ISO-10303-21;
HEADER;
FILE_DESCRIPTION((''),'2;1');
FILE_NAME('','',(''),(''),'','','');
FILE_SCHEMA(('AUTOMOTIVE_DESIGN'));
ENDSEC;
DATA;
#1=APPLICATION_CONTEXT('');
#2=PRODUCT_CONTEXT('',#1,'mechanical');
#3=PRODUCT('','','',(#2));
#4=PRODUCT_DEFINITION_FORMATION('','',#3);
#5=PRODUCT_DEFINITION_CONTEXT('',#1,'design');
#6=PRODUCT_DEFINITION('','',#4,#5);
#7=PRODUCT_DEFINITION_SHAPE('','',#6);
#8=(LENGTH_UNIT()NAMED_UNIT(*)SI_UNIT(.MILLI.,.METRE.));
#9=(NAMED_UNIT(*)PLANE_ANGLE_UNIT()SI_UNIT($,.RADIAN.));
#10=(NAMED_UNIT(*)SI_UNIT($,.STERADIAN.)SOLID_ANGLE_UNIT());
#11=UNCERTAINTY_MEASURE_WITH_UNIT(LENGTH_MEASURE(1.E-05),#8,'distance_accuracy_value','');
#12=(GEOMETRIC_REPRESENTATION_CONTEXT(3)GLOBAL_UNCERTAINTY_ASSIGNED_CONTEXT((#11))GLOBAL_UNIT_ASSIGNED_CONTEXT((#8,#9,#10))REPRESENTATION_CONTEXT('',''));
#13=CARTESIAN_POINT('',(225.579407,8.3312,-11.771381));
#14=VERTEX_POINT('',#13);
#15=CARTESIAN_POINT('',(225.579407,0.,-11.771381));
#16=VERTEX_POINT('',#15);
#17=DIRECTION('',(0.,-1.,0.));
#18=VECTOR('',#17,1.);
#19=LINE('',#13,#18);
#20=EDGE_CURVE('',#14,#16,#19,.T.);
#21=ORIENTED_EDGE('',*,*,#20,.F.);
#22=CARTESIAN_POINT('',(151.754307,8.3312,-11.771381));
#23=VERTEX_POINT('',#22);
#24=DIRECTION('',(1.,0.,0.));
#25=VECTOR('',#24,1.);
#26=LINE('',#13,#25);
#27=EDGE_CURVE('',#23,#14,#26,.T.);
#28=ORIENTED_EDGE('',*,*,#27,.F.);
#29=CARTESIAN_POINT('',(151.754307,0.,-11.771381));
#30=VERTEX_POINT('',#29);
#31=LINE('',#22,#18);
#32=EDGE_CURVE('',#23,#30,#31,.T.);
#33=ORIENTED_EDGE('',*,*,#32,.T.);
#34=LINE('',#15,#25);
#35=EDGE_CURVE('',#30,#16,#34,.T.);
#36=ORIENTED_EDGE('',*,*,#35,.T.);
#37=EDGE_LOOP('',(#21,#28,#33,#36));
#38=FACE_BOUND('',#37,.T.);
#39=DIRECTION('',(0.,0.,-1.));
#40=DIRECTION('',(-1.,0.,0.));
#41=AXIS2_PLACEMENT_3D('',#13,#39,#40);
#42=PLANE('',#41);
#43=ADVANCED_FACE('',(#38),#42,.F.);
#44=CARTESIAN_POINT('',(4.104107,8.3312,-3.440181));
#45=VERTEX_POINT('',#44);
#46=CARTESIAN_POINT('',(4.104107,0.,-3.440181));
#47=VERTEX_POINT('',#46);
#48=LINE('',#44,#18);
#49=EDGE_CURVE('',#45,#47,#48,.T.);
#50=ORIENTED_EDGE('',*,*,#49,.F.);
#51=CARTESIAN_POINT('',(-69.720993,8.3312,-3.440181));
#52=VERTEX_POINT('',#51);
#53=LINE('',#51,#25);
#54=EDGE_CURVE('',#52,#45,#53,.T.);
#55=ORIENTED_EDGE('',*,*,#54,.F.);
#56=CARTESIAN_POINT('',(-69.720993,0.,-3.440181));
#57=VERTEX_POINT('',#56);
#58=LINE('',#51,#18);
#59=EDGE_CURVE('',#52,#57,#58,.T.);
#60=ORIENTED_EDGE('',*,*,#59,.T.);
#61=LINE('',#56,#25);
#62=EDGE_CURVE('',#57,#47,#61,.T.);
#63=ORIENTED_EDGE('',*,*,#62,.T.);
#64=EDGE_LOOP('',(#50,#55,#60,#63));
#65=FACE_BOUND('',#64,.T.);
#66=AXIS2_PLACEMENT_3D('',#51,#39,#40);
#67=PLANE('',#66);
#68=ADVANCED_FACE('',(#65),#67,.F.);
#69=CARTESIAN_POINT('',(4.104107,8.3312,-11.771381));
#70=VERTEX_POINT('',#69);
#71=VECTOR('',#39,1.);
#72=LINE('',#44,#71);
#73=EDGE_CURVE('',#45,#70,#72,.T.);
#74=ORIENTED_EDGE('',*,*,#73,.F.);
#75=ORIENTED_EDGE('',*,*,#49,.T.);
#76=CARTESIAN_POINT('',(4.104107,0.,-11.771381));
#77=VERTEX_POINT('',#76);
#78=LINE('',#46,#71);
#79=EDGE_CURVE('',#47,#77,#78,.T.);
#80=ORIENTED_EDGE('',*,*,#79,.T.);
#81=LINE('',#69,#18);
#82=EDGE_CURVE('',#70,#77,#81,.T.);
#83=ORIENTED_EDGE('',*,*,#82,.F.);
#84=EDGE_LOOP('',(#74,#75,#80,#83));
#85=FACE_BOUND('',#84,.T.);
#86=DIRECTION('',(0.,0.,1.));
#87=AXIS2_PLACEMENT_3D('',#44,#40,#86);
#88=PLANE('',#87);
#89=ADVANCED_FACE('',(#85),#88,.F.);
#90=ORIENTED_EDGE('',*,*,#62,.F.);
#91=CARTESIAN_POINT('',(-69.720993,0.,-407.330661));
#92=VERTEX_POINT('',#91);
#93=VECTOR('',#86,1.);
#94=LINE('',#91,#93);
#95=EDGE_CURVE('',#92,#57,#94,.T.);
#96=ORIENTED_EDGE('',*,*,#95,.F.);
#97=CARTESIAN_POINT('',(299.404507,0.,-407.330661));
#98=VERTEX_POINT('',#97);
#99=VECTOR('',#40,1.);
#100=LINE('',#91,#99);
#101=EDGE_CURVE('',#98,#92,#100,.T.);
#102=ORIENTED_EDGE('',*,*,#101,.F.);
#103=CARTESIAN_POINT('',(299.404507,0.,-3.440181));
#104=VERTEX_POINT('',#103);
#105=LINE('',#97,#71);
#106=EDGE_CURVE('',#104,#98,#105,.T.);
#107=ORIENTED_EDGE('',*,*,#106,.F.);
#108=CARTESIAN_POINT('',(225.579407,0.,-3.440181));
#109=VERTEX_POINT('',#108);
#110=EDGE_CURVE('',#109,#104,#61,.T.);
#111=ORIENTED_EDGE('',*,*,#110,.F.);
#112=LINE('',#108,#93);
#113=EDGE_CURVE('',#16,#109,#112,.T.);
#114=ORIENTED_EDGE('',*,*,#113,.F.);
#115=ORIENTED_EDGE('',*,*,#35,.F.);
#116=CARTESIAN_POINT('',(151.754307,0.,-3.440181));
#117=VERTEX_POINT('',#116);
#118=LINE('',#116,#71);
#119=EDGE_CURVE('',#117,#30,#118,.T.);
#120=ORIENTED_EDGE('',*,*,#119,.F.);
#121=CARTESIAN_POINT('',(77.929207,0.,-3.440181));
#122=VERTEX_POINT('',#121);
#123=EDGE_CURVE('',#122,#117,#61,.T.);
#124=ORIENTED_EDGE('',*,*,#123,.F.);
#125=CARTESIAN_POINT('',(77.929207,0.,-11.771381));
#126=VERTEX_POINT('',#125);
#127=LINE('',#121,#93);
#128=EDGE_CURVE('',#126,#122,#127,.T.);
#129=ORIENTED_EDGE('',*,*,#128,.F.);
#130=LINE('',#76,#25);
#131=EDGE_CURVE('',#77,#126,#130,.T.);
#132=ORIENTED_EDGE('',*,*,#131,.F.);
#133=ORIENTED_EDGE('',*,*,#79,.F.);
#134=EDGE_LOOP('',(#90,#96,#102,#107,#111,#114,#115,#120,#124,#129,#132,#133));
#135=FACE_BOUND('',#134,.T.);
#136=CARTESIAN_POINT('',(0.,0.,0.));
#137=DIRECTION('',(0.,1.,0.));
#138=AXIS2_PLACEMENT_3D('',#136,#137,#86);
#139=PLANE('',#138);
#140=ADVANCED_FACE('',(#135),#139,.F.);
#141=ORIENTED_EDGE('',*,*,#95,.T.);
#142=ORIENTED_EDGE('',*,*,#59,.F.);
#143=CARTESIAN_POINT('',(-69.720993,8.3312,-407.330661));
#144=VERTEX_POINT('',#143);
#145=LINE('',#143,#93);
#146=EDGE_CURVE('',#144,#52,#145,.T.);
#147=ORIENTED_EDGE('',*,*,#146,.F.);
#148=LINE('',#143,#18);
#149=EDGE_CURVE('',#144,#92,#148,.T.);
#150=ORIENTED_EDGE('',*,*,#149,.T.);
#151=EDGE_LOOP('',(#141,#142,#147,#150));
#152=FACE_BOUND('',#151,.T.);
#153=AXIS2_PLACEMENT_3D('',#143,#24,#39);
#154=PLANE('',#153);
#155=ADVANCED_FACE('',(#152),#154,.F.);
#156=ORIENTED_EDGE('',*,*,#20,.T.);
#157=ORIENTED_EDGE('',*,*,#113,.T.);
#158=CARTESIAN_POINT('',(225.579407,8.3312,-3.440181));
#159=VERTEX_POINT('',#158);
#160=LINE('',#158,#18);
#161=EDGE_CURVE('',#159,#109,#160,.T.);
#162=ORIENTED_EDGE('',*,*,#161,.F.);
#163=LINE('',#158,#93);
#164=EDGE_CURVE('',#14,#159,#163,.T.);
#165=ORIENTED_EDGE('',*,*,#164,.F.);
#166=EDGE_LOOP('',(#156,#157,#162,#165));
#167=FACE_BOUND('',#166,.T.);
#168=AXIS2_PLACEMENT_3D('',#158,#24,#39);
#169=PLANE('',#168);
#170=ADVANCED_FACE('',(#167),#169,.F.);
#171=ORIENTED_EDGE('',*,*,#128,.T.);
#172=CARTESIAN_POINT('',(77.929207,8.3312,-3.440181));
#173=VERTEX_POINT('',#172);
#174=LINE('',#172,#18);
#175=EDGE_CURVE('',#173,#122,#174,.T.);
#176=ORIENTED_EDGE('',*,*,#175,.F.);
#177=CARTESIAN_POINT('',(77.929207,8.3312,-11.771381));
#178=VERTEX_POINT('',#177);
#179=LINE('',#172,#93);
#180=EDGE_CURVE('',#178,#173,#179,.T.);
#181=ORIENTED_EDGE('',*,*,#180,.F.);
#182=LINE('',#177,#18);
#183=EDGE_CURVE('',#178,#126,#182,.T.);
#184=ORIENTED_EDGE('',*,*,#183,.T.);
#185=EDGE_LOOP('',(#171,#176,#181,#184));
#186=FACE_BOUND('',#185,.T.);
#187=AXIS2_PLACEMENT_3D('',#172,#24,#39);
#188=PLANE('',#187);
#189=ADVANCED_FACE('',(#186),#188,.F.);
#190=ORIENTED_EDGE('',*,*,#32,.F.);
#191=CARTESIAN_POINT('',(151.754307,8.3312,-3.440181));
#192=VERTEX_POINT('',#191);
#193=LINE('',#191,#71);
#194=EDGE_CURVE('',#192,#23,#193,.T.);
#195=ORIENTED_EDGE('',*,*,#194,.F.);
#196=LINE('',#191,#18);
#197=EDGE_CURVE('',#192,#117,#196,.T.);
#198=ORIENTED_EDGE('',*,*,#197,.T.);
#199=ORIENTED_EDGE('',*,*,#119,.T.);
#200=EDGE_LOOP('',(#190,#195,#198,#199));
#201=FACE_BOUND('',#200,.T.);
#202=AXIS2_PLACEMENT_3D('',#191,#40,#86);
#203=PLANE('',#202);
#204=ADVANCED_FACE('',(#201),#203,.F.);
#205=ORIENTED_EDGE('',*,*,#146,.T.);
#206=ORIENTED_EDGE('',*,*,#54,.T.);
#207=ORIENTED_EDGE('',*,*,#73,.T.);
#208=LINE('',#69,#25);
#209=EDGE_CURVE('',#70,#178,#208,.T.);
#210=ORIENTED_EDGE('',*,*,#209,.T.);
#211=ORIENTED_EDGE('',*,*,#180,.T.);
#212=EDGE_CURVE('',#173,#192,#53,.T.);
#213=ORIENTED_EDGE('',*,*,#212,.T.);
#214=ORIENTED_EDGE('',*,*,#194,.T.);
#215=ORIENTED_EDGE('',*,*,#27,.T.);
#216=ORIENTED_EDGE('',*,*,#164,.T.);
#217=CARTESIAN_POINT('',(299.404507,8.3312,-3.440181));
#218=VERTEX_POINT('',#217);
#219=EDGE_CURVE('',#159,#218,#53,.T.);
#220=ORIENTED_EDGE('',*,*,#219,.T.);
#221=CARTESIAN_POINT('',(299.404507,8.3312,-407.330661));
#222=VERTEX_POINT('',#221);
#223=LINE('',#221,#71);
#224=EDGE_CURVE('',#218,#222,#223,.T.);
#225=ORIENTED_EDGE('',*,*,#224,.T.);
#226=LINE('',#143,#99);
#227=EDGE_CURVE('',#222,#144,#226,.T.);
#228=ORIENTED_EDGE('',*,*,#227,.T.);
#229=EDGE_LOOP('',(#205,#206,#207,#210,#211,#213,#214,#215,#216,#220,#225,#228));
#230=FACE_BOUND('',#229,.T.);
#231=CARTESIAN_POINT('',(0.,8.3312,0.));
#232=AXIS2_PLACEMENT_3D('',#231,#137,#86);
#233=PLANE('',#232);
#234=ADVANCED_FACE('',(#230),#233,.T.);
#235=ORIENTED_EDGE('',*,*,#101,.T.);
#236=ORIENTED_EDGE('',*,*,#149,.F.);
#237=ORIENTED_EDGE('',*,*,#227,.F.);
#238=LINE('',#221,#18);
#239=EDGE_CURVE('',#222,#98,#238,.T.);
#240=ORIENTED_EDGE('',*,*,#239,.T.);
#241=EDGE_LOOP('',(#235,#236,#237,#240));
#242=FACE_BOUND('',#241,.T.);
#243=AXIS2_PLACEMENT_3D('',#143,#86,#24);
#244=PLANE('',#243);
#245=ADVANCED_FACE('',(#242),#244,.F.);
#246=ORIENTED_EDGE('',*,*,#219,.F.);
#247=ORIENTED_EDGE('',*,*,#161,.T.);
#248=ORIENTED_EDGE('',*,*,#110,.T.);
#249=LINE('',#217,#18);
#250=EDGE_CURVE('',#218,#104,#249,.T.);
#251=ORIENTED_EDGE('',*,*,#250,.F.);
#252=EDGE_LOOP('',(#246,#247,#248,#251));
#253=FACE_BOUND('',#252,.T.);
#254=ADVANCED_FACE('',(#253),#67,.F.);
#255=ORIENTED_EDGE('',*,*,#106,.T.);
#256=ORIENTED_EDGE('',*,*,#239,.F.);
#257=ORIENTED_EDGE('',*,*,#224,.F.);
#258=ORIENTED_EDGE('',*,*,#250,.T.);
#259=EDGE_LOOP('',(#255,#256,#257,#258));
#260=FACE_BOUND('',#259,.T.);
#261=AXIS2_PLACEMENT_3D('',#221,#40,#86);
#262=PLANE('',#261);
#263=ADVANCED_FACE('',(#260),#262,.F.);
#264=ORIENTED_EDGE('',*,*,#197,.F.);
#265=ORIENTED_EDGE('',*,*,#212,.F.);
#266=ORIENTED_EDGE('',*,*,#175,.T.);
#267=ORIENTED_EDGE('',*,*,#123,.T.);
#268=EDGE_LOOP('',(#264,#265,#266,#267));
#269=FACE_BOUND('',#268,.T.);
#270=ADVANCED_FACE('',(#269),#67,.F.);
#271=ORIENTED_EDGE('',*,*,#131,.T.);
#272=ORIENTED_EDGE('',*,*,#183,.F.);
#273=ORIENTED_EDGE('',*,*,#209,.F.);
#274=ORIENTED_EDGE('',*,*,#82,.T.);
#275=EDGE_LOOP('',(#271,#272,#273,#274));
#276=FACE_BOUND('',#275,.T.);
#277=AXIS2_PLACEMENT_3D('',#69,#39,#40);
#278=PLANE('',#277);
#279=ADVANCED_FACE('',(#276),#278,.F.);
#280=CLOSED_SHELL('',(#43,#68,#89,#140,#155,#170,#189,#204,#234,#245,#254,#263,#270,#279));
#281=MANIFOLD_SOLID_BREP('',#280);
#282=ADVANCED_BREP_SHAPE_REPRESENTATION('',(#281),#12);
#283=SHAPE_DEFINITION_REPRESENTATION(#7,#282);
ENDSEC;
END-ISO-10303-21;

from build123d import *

# Parameters (mm, degrees)
SKETCH1_W           = 369.1255
SKETCH1_H           = 403.89048
BOSS_EXTRUDE1_DEPTH = 8.3312
SKETCH2_W           = 73.8251
SKETCH2_H           = 8.3312
CUT_EXTRUDE1_DEPTH  = 506.599381549


with BuildPart() as part:
    # Sketch1 → Boss-Extrude1 (new body)
    with BuildSketch(Plane(origin=(0, 0, 0), x_dir=(1, 0, 0), z_dir=(0, 1, 0))):
        with Locations((114.841756772, 205.385420587)):
            Rectangle(SKETCH1_W, SKETCH1_H)
    extrude(amount=BOSS_EXTRUDE1_DEPTH)

    # Sketch2 → Cut-Extrude1 (cut, through all)
    with BuildSketch(Plane.XZ):
        with Locations((188.666856772, -7.605780587)):
            Rectangle(SKETCH2_W, SKETCH2_H)
        with Locations((41.016656772, -7.605780587)):
            Rectangle(SKETCH2_W, SKETCH2_H)
    extrude(amount=-CUT_EXTRUDE1_DEPTH, mode=Mode.SUBTRACT)


solid = part.part
